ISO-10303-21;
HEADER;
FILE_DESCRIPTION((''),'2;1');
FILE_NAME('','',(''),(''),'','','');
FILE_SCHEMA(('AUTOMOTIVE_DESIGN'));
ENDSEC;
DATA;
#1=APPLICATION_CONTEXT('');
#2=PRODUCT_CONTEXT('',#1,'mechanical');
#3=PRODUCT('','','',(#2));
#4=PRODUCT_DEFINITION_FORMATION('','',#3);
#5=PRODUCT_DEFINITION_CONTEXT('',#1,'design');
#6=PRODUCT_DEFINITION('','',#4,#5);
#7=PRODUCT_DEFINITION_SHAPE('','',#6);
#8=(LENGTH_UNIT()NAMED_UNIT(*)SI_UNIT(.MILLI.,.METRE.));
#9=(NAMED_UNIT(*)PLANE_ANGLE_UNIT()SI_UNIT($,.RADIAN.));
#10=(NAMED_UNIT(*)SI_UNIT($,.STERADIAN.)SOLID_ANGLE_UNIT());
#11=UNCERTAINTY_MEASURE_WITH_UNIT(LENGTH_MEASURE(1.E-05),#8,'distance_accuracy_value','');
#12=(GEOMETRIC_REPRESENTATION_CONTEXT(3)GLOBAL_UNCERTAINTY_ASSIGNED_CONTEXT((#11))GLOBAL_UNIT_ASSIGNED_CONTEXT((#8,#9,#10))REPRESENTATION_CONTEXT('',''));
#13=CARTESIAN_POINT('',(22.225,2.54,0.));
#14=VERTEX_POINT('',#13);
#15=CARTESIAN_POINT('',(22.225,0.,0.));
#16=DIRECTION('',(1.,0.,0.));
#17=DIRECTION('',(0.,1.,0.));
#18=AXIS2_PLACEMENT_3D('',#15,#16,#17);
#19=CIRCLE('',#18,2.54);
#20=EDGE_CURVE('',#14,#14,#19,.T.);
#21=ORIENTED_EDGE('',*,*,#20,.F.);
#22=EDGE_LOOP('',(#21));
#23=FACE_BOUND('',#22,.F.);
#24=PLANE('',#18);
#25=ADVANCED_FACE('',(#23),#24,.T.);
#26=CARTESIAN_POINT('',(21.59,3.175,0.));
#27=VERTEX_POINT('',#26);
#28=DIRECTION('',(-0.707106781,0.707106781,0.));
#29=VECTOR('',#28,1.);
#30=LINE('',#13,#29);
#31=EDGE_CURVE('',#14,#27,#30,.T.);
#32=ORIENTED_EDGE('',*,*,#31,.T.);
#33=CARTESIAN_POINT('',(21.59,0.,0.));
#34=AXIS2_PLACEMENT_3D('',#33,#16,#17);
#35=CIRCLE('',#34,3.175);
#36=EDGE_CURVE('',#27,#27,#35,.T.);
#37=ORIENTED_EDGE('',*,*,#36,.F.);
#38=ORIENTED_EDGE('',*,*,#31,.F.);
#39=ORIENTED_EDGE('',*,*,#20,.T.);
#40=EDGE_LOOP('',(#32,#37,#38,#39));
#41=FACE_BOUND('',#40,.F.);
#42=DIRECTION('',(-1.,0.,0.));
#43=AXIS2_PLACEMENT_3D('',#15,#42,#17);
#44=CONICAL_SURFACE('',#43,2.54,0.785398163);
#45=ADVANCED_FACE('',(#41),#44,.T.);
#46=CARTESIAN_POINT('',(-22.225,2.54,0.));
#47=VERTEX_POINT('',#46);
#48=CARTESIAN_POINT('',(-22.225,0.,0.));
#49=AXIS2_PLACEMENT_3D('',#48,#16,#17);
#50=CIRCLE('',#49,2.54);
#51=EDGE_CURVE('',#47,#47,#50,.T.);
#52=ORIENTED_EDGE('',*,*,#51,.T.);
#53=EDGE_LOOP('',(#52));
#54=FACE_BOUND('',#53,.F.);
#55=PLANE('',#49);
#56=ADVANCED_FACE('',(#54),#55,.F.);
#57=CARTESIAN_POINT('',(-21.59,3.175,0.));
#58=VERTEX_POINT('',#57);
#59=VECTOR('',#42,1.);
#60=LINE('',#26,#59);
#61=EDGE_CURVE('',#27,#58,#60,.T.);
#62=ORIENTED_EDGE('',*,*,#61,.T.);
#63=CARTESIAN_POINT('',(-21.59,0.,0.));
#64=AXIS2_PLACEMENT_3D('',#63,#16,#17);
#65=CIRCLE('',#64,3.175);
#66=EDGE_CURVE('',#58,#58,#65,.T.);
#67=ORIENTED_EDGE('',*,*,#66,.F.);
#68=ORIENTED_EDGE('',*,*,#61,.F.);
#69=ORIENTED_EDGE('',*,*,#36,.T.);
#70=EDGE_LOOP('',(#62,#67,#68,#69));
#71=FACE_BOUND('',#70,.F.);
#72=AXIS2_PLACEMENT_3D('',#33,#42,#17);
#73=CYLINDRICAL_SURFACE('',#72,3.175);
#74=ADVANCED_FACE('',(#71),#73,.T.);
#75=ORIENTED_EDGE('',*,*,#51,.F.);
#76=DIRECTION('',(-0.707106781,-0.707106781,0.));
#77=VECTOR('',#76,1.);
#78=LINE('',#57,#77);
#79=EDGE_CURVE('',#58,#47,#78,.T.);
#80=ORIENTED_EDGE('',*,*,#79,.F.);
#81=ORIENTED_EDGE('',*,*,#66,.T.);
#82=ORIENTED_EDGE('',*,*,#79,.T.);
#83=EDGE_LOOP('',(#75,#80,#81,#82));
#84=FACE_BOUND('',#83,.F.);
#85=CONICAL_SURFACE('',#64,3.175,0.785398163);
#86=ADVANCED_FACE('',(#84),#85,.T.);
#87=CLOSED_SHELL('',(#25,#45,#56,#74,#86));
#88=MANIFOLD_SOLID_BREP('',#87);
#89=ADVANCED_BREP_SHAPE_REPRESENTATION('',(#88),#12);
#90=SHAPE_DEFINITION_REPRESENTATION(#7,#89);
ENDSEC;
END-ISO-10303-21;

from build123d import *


with BuildPart() as part:
    # Sketch1 → Revolve1 (revolve)
    with BuildSketch(Plane.XY):
        Polygon((-22.225, 2.54), (-22.225, 0), (22.225, 0), (22.225, 2.54), (21.59, 3.175), (-21.59, 3.175), align=None)
    revolve(axis=Axis((-22.225, 0, 0), (1, 0, 0)))


solid = part.part
